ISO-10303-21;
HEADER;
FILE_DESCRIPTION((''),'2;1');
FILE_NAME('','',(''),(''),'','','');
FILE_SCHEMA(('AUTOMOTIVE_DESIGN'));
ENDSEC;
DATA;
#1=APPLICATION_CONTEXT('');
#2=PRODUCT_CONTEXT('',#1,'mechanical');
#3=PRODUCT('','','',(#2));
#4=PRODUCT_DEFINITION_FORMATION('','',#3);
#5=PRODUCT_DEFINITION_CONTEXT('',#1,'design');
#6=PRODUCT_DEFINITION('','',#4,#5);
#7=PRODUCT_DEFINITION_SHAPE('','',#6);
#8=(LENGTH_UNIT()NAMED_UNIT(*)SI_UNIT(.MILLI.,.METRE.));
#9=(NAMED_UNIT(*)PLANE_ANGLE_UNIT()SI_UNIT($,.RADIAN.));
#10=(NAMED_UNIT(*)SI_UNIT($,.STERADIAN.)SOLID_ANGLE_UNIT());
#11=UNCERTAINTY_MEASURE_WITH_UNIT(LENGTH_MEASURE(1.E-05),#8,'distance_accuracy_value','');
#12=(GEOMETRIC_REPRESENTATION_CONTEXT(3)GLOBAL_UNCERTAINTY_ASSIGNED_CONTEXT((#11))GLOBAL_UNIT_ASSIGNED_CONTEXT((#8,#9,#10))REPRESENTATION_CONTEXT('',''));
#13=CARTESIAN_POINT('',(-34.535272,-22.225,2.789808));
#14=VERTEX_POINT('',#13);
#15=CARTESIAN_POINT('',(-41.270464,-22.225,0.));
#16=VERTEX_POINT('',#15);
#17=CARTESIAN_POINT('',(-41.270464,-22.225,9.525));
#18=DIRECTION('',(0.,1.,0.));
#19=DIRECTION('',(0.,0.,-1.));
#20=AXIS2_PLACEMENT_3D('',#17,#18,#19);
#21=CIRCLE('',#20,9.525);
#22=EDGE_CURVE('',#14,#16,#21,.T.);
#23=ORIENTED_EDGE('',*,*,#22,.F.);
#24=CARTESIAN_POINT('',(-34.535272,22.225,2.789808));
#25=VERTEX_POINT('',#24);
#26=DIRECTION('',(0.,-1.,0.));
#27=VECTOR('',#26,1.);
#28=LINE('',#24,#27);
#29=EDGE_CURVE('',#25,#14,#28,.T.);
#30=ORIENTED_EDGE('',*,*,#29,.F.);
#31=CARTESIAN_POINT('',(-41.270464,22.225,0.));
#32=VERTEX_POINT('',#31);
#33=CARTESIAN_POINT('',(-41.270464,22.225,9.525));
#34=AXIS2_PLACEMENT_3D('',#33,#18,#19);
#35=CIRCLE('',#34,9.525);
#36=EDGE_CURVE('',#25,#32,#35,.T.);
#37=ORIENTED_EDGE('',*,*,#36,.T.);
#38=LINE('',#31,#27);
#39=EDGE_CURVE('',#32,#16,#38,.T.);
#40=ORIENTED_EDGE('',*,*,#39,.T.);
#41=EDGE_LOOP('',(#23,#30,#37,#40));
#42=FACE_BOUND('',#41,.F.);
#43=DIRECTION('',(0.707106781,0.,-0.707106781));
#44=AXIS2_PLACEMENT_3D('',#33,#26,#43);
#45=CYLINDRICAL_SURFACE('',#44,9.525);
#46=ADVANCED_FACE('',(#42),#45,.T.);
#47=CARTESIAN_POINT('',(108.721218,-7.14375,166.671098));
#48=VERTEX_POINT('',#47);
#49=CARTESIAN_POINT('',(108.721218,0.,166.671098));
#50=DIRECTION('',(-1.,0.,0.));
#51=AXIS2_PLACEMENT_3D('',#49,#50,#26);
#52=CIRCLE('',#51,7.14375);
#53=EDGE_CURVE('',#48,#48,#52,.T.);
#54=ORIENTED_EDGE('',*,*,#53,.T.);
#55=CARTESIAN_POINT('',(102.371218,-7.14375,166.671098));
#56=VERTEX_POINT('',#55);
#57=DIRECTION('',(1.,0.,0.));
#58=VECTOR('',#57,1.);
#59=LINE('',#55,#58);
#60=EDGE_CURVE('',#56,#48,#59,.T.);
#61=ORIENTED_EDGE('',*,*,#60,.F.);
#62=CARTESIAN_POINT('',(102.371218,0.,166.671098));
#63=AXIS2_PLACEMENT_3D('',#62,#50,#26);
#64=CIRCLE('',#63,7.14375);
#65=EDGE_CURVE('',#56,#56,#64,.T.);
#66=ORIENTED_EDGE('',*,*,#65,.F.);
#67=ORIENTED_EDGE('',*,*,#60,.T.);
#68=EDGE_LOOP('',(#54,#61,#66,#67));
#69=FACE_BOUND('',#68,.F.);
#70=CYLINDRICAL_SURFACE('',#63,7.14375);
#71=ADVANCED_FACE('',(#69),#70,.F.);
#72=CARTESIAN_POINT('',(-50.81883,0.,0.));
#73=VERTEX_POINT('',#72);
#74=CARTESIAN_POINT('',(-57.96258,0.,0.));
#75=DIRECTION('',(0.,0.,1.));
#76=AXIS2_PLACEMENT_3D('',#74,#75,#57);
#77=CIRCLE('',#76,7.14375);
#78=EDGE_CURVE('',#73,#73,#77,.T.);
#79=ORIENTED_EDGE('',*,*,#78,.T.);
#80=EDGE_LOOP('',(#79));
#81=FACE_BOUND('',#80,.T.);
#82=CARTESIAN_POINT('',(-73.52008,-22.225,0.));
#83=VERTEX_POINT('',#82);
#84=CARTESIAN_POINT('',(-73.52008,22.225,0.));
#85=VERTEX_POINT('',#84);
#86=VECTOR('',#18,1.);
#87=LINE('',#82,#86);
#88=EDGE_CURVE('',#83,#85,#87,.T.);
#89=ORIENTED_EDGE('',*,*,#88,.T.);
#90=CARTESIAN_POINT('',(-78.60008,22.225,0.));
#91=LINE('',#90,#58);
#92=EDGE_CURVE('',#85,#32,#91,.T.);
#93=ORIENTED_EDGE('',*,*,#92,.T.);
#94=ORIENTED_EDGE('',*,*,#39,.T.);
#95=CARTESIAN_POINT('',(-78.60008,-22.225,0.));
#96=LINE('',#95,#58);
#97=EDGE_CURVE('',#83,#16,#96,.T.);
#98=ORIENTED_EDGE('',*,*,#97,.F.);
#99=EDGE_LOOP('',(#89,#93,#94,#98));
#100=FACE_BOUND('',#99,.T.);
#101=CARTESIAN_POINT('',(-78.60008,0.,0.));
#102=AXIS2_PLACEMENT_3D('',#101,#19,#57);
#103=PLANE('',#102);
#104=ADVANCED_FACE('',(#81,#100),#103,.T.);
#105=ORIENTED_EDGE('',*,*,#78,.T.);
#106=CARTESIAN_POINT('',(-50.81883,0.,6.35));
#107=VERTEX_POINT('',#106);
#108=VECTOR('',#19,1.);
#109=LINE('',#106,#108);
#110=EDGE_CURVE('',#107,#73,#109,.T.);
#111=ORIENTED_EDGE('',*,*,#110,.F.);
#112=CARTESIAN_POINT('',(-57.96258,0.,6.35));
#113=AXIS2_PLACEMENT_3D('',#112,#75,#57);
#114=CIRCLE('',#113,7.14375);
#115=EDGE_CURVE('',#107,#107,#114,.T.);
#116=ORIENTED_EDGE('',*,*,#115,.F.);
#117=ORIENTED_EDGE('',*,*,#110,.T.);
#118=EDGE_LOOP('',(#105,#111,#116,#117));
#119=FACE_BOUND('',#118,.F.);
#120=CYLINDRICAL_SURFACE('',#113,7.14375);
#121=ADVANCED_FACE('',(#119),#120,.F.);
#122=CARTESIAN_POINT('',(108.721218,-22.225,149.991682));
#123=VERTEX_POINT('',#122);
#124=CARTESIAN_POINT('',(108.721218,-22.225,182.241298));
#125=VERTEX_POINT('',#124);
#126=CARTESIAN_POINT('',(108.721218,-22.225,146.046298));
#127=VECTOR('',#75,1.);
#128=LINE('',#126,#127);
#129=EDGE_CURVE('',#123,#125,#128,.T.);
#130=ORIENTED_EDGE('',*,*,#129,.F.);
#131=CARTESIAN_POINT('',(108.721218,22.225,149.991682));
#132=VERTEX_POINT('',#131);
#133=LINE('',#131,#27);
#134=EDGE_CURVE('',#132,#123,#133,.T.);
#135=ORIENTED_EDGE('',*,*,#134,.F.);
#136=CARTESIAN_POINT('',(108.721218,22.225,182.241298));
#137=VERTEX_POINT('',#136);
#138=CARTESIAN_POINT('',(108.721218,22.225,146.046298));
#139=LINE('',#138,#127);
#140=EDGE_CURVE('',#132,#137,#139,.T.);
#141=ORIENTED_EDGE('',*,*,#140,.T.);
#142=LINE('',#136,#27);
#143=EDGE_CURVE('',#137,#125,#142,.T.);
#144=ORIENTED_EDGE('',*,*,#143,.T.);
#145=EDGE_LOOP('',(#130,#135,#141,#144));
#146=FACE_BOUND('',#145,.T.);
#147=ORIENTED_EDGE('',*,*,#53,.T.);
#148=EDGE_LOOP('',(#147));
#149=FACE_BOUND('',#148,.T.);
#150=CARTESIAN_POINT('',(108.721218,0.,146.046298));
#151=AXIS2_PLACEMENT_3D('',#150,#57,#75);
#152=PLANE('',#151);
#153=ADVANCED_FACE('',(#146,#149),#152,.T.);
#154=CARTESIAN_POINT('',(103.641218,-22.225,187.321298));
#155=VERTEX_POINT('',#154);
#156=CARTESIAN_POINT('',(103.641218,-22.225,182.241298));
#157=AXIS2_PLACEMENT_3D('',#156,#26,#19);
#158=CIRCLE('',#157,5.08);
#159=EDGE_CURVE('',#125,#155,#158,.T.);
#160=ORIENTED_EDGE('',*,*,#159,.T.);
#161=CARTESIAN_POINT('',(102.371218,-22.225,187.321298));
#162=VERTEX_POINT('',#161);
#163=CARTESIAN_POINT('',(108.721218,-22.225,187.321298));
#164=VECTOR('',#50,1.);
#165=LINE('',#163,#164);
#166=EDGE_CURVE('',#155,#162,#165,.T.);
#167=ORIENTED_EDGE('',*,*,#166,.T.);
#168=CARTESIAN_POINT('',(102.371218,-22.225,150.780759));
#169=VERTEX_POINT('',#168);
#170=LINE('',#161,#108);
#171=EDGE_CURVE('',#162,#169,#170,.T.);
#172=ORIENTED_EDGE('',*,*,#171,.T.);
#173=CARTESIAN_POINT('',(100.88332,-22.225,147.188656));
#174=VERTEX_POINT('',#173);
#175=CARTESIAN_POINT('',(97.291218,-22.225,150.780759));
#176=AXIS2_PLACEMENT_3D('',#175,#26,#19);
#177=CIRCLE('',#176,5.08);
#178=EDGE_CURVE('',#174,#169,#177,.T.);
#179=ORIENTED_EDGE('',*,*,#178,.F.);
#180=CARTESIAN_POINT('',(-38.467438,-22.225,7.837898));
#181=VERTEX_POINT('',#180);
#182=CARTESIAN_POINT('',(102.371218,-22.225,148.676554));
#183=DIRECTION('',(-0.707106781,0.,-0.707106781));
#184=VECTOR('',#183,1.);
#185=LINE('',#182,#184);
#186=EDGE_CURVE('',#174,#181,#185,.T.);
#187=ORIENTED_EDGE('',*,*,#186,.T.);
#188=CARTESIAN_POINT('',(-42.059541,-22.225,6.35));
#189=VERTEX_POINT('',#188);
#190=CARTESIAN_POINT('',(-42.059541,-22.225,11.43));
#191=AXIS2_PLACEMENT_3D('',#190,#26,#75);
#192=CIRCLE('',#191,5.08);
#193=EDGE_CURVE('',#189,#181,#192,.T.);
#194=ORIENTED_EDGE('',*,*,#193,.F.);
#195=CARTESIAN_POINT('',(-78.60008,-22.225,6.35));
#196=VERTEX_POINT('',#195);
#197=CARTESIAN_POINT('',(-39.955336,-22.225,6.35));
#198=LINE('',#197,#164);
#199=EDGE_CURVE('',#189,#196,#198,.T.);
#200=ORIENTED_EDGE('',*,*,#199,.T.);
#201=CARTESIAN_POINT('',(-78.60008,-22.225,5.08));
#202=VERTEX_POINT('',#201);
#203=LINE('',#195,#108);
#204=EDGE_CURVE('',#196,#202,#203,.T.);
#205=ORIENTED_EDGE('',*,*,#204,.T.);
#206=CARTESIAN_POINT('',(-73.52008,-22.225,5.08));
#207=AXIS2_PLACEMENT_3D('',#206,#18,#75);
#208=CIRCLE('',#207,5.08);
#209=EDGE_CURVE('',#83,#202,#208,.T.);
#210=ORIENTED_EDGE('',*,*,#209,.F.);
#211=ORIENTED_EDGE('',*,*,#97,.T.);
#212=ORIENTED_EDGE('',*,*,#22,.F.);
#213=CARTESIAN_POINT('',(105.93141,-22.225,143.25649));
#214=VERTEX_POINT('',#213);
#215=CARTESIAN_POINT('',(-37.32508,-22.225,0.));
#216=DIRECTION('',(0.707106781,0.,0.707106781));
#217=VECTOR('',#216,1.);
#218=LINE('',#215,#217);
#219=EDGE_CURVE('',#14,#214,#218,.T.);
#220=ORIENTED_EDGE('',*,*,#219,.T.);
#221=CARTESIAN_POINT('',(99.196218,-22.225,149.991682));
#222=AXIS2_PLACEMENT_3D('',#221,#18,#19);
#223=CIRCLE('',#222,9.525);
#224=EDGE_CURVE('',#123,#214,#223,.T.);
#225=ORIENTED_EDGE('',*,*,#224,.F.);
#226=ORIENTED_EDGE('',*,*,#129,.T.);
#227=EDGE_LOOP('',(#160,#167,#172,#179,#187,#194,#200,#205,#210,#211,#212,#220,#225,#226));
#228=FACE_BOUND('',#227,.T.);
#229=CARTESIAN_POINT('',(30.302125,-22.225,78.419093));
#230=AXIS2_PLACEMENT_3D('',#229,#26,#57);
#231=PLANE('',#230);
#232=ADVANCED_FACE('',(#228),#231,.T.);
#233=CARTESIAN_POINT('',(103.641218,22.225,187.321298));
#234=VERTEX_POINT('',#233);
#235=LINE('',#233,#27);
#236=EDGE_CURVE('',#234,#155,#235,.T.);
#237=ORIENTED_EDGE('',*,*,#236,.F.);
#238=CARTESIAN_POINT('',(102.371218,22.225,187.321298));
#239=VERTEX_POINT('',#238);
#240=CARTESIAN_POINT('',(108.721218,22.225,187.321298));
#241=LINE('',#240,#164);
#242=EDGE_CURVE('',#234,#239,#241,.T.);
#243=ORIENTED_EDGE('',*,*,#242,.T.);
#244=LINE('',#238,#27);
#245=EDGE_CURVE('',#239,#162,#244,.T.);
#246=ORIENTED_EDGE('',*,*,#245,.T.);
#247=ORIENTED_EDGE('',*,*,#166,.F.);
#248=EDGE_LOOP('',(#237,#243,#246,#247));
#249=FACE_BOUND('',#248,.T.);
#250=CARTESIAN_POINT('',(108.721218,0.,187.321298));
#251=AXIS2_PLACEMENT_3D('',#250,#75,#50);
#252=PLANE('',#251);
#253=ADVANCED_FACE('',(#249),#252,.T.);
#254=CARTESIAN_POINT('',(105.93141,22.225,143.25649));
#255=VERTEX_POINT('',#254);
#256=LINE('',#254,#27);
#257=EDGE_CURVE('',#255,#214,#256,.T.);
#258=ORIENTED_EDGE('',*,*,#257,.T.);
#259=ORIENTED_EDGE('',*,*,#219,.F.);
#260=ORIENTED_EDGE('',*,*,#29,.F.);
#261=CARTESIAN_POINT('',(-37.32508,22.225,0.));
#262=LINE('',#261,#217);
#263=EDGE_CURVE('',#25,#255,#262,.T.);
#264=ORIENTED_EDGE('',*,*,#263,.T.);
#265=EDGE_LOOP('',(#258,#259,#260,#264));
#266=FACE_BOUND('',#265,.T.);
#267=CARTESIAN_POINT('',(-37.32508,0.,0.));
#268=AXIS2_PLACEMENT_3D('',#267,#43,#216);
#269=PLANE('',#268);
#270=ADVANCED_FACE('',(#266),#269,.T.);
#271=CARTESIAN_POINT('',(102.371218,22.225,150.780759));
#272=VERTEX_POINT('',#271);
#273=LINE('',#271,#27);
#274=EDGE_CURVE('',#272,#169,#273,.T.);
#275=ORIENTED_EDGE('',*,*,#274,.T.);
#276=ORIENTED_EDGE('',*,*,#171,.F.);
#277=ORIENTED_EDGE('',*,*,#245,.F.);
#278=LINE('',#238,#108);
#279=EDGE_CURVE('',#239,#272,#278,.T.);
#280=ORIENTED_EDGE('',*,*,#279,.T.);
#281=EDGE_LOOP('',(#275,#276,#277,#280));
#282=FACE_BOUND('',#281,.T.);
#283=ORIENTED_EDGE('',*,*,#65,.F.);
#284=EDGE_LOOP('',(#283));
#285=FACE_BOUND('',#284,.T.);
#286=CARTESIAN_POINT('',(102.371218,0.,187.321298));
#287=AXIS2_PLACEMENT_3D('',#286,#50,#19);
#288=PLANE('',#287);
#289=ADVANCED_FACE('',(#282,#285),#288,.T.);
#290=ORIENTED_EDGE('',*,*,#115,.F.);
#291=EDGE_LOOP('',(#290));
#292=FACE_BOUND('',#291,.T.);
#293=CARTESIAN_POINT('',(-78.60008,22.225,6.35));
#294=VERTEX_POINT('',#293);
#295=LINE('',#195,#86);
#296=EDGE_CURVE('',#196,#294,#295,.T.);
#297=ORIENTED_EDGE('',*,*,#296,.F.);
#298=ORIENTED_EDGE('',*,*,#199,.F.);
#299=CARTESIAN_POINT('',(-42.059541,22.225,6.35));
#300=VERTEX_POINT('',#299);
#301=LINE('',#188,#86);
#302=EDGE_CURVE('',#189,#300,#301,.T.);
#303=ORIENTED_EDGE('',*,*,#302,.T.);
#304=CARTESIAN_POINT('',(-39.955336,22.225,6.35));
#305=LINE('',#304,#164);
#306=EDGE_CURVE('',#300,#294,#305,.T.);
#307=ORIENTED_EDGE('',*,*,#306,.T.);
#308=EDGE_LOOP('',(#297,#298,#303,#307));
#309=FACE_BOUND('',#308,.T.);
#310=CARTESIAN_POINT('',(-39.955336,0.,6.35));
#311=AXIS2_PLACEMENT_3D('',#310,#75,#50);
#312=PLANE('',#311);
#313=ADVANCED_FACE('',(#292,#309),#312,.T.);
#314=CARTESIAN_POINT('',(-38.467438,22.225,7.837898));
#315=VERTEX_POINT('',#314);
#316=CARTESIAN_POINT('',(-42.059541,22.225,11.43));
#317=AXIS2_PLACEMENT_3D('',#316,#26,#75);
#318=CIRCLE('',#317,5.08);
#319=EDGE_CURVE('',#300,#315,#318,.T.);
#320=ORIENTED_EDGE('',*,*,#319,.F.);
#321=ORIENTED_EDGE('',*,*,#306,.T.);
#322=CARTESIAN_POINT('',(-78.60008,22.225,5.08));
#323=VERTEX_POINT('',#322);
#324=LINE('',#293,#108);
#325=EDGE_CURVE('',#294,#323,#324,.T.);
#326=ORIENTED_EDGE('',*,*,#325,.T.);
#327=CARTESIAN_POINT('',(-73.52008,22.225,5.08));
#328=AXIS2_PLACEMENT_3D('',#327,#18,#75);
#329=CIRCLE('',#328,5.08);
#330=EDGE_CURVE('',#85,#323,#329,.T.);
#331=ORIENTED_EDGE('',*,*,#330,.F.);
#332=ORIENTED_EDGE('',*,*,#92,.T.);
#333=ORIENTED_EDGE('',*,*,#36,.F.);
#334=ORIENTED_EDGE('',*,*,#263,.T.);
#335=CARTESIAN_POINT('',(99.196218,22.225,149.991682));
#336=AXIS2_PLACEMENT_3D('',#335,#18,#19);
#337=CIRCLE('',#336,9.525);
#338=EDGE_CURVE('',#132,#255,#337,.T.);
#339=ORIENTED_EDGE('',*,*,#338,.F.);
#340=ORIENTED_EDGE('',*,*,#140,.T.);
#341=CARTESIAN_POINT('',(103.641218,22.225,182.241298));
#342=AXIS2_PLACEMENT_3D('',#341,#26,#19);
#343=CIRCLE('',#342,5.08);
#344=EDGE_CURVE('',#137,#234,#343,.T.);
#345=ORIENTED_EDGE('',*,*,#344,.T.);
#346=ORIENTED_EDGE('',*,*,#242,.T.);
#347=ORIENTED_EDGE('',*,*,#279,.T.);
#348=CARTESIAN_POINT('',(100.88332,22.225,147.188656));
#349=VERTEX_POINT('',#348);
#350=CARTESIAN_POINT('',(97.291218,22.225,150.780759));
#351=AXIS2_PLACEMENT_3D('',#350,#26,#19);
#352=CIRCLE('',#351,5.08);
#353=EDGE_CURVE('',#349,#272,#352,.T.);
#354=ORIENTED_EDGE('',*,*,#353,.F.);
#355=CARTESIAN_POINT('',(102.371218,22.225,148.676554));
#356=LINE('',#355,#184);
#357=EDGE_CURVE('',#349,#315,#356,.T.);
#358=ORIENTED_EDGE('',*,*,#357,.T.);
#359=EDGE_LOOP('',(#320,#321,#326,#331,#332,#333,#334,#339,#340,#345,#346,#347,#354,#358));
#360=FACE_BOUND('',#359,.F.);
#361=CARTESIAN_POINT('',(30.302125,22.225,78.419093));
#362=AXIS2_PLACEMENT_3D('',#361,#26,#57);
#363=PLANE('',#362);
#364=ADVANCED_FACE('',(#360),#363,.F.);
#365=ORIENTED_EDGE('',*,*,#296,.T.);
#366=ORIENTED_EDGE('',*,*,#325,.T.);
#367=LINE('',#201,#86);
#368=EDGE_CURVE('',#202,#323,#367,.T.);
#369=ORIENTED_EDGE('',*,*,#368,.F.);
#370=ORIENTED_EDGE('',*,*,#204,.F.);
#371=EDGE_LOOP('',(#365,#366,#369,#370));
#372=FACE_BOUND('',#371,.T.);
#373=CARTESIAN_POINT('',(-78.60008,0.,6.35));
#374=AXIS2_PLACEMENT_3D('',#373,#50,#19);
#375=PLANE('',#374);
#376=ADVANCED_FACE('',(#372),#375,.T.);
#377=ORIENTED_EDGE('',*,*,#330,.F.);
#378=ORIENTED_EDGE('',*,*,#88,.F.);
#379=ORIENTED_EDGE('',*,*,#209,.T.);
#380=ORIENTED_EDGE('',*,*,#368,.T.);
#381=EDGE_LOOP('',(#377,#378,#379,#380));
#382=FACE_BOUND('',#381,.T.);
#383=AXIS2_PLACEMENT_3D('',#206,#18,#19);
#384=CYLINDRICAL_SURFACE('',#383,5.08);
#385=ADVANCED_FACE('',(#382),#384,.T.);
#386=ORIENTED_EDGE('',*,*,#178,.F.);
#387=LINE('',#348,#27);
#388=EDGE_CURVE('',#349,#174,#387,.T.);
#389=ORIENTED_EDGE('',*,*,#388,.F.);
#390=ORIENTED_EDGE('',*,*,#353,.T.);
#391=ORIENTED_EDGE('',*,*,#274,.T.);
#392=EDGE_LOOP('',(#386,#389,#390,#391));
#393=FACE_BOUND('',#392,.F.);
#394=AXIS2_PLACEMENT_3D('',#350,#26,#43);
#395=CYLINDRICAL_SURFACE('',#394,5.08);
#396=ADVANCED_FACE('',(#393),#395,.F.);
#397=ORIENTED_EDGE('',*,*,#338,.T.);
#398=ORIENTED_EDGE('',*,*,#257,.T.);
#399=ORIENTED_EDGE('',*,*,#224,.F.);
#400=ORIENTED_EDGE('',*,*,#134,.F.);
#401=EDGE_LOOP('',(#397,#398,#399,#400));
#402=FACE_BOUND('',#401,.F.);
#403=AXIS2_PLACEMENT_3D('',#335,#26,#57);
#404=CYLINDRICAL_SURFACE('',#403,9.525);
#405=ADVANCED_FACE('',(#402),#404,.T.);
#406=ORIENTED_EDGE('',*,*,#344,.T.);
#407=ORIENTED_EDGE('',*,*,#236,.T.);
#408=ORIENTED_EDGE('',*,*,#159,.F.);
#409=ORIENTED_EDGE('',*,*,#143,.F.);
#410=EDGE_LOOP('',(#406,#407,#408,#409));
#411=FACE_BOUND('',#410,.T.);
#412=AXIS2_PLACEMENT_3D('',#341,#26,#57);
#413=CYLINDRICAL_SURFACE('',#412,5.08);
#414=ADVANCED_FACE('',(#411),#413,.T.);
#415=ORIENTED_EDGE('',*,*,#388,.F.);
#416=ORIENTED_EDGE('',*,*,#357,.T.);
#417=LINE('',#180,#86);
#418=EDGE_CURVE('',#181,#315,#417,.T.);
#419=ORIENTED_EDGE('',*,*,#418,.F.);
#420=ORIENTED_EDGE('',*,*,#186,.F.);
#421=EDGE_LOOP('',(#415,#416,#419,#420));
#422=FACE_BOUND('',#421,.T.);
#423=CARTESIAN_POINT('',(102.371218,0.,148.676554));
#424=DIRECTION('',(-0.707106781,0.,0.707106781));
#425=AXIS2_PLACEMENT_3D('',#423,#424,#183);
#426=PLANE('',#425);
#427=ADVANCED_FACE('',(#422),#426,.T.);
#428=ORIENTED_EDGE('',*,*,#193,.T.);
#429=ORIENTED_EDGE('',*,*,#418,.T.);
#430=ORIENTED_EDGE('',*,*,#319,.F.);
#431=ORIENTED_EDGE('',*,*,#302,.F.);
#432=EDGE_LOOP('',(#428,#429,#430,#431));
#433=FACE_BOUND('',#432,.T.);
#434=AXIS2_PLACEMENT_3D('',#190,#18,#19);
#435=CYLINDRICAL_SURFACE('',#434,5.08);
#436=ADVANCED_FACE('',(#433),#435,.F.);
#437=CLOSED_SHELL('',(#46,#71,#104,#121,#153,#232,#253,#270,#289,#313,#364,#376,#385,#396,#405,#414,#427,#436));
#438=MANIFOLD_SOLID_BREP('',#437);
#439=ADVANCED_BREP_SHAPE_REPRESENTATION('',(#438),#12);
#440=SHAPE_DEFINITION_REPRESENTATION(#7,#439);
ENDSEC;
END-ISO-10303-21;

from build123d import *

# Parameters (mm, degrees)
F1_DEPTH = 22.225
F2_R     = 5.08
F3_R     = 9.525
F4_R     = 7.14375
F5_DEPTH = 25.4
F6_R     = 7.14375
F7_DEPTH = 25.4
F8_R     = 5.08


with BuildPart() as f1:
    # F0 (on Front) → F1 (new body, symmetric)
    with BuildSketch(Plane.XZ):
        Polygon((-78.60008, 0), (-76.23788, 0), (-37.32508, 0), (108.721218, 146.046298), (108.721218, 184.959098), (108.721218, 187.321298), (102.371218, 187.321298), (102.371218, 184.959098), (102.371218, 148.676554), (-39.955336, 6.35), (-76.23788, 6.35), (-78.60008, 6.35), align=None)
    extrude(amount=F1_DEPTH, both=True)

    # F2
    f2_edges = [f1.edges().sort_by_distance(p)[0] for p in [
        (-39.955336, 0, 6.35),
        (102.371218, 0, 148.676554),
    ]]
    fillet(f2_edges, radius=F2_R)

    # F3
    f3_edges = [f1.edges().sort_by_distance(p)[0] for p in [
        (108.721218, 0, 146.046298),
        (-37.32508, 0, 0),
    ]]
    fillet(f3_edges, radius=F3_R)

    # F4 (on face) → F5 (cut)
    with BuildSketch(Plane.XY.offset(6.35)):
        with Locations((-57.96258, 0)):
            Circle(F4_R)
    extrude(amount=-F5_DEPTH, mode=Mode.SUBTRACT)

    # F6 (on face) → F7 (cut)
    with BuildSketch(Plane(origin=(102.371218, 0, 0), x_dir=(0, -1, 0), z_dir=(-1, 0, 0))):
        with Locations((0, 166.671098)):
            Circle(F6_R)
    extrude(amount=-F7_DEPTH, mode=Mode.SUBTRACT)

    # F8
    f8_edges = [f1.edges().sort_by_distance(p)[0] for p in [
        (108.721218, 0, 187.321298),
        (-78.60008, 0, 0),
    ]]
    fillet(f8_edges, radius=F8_R)


solid = f1.part
